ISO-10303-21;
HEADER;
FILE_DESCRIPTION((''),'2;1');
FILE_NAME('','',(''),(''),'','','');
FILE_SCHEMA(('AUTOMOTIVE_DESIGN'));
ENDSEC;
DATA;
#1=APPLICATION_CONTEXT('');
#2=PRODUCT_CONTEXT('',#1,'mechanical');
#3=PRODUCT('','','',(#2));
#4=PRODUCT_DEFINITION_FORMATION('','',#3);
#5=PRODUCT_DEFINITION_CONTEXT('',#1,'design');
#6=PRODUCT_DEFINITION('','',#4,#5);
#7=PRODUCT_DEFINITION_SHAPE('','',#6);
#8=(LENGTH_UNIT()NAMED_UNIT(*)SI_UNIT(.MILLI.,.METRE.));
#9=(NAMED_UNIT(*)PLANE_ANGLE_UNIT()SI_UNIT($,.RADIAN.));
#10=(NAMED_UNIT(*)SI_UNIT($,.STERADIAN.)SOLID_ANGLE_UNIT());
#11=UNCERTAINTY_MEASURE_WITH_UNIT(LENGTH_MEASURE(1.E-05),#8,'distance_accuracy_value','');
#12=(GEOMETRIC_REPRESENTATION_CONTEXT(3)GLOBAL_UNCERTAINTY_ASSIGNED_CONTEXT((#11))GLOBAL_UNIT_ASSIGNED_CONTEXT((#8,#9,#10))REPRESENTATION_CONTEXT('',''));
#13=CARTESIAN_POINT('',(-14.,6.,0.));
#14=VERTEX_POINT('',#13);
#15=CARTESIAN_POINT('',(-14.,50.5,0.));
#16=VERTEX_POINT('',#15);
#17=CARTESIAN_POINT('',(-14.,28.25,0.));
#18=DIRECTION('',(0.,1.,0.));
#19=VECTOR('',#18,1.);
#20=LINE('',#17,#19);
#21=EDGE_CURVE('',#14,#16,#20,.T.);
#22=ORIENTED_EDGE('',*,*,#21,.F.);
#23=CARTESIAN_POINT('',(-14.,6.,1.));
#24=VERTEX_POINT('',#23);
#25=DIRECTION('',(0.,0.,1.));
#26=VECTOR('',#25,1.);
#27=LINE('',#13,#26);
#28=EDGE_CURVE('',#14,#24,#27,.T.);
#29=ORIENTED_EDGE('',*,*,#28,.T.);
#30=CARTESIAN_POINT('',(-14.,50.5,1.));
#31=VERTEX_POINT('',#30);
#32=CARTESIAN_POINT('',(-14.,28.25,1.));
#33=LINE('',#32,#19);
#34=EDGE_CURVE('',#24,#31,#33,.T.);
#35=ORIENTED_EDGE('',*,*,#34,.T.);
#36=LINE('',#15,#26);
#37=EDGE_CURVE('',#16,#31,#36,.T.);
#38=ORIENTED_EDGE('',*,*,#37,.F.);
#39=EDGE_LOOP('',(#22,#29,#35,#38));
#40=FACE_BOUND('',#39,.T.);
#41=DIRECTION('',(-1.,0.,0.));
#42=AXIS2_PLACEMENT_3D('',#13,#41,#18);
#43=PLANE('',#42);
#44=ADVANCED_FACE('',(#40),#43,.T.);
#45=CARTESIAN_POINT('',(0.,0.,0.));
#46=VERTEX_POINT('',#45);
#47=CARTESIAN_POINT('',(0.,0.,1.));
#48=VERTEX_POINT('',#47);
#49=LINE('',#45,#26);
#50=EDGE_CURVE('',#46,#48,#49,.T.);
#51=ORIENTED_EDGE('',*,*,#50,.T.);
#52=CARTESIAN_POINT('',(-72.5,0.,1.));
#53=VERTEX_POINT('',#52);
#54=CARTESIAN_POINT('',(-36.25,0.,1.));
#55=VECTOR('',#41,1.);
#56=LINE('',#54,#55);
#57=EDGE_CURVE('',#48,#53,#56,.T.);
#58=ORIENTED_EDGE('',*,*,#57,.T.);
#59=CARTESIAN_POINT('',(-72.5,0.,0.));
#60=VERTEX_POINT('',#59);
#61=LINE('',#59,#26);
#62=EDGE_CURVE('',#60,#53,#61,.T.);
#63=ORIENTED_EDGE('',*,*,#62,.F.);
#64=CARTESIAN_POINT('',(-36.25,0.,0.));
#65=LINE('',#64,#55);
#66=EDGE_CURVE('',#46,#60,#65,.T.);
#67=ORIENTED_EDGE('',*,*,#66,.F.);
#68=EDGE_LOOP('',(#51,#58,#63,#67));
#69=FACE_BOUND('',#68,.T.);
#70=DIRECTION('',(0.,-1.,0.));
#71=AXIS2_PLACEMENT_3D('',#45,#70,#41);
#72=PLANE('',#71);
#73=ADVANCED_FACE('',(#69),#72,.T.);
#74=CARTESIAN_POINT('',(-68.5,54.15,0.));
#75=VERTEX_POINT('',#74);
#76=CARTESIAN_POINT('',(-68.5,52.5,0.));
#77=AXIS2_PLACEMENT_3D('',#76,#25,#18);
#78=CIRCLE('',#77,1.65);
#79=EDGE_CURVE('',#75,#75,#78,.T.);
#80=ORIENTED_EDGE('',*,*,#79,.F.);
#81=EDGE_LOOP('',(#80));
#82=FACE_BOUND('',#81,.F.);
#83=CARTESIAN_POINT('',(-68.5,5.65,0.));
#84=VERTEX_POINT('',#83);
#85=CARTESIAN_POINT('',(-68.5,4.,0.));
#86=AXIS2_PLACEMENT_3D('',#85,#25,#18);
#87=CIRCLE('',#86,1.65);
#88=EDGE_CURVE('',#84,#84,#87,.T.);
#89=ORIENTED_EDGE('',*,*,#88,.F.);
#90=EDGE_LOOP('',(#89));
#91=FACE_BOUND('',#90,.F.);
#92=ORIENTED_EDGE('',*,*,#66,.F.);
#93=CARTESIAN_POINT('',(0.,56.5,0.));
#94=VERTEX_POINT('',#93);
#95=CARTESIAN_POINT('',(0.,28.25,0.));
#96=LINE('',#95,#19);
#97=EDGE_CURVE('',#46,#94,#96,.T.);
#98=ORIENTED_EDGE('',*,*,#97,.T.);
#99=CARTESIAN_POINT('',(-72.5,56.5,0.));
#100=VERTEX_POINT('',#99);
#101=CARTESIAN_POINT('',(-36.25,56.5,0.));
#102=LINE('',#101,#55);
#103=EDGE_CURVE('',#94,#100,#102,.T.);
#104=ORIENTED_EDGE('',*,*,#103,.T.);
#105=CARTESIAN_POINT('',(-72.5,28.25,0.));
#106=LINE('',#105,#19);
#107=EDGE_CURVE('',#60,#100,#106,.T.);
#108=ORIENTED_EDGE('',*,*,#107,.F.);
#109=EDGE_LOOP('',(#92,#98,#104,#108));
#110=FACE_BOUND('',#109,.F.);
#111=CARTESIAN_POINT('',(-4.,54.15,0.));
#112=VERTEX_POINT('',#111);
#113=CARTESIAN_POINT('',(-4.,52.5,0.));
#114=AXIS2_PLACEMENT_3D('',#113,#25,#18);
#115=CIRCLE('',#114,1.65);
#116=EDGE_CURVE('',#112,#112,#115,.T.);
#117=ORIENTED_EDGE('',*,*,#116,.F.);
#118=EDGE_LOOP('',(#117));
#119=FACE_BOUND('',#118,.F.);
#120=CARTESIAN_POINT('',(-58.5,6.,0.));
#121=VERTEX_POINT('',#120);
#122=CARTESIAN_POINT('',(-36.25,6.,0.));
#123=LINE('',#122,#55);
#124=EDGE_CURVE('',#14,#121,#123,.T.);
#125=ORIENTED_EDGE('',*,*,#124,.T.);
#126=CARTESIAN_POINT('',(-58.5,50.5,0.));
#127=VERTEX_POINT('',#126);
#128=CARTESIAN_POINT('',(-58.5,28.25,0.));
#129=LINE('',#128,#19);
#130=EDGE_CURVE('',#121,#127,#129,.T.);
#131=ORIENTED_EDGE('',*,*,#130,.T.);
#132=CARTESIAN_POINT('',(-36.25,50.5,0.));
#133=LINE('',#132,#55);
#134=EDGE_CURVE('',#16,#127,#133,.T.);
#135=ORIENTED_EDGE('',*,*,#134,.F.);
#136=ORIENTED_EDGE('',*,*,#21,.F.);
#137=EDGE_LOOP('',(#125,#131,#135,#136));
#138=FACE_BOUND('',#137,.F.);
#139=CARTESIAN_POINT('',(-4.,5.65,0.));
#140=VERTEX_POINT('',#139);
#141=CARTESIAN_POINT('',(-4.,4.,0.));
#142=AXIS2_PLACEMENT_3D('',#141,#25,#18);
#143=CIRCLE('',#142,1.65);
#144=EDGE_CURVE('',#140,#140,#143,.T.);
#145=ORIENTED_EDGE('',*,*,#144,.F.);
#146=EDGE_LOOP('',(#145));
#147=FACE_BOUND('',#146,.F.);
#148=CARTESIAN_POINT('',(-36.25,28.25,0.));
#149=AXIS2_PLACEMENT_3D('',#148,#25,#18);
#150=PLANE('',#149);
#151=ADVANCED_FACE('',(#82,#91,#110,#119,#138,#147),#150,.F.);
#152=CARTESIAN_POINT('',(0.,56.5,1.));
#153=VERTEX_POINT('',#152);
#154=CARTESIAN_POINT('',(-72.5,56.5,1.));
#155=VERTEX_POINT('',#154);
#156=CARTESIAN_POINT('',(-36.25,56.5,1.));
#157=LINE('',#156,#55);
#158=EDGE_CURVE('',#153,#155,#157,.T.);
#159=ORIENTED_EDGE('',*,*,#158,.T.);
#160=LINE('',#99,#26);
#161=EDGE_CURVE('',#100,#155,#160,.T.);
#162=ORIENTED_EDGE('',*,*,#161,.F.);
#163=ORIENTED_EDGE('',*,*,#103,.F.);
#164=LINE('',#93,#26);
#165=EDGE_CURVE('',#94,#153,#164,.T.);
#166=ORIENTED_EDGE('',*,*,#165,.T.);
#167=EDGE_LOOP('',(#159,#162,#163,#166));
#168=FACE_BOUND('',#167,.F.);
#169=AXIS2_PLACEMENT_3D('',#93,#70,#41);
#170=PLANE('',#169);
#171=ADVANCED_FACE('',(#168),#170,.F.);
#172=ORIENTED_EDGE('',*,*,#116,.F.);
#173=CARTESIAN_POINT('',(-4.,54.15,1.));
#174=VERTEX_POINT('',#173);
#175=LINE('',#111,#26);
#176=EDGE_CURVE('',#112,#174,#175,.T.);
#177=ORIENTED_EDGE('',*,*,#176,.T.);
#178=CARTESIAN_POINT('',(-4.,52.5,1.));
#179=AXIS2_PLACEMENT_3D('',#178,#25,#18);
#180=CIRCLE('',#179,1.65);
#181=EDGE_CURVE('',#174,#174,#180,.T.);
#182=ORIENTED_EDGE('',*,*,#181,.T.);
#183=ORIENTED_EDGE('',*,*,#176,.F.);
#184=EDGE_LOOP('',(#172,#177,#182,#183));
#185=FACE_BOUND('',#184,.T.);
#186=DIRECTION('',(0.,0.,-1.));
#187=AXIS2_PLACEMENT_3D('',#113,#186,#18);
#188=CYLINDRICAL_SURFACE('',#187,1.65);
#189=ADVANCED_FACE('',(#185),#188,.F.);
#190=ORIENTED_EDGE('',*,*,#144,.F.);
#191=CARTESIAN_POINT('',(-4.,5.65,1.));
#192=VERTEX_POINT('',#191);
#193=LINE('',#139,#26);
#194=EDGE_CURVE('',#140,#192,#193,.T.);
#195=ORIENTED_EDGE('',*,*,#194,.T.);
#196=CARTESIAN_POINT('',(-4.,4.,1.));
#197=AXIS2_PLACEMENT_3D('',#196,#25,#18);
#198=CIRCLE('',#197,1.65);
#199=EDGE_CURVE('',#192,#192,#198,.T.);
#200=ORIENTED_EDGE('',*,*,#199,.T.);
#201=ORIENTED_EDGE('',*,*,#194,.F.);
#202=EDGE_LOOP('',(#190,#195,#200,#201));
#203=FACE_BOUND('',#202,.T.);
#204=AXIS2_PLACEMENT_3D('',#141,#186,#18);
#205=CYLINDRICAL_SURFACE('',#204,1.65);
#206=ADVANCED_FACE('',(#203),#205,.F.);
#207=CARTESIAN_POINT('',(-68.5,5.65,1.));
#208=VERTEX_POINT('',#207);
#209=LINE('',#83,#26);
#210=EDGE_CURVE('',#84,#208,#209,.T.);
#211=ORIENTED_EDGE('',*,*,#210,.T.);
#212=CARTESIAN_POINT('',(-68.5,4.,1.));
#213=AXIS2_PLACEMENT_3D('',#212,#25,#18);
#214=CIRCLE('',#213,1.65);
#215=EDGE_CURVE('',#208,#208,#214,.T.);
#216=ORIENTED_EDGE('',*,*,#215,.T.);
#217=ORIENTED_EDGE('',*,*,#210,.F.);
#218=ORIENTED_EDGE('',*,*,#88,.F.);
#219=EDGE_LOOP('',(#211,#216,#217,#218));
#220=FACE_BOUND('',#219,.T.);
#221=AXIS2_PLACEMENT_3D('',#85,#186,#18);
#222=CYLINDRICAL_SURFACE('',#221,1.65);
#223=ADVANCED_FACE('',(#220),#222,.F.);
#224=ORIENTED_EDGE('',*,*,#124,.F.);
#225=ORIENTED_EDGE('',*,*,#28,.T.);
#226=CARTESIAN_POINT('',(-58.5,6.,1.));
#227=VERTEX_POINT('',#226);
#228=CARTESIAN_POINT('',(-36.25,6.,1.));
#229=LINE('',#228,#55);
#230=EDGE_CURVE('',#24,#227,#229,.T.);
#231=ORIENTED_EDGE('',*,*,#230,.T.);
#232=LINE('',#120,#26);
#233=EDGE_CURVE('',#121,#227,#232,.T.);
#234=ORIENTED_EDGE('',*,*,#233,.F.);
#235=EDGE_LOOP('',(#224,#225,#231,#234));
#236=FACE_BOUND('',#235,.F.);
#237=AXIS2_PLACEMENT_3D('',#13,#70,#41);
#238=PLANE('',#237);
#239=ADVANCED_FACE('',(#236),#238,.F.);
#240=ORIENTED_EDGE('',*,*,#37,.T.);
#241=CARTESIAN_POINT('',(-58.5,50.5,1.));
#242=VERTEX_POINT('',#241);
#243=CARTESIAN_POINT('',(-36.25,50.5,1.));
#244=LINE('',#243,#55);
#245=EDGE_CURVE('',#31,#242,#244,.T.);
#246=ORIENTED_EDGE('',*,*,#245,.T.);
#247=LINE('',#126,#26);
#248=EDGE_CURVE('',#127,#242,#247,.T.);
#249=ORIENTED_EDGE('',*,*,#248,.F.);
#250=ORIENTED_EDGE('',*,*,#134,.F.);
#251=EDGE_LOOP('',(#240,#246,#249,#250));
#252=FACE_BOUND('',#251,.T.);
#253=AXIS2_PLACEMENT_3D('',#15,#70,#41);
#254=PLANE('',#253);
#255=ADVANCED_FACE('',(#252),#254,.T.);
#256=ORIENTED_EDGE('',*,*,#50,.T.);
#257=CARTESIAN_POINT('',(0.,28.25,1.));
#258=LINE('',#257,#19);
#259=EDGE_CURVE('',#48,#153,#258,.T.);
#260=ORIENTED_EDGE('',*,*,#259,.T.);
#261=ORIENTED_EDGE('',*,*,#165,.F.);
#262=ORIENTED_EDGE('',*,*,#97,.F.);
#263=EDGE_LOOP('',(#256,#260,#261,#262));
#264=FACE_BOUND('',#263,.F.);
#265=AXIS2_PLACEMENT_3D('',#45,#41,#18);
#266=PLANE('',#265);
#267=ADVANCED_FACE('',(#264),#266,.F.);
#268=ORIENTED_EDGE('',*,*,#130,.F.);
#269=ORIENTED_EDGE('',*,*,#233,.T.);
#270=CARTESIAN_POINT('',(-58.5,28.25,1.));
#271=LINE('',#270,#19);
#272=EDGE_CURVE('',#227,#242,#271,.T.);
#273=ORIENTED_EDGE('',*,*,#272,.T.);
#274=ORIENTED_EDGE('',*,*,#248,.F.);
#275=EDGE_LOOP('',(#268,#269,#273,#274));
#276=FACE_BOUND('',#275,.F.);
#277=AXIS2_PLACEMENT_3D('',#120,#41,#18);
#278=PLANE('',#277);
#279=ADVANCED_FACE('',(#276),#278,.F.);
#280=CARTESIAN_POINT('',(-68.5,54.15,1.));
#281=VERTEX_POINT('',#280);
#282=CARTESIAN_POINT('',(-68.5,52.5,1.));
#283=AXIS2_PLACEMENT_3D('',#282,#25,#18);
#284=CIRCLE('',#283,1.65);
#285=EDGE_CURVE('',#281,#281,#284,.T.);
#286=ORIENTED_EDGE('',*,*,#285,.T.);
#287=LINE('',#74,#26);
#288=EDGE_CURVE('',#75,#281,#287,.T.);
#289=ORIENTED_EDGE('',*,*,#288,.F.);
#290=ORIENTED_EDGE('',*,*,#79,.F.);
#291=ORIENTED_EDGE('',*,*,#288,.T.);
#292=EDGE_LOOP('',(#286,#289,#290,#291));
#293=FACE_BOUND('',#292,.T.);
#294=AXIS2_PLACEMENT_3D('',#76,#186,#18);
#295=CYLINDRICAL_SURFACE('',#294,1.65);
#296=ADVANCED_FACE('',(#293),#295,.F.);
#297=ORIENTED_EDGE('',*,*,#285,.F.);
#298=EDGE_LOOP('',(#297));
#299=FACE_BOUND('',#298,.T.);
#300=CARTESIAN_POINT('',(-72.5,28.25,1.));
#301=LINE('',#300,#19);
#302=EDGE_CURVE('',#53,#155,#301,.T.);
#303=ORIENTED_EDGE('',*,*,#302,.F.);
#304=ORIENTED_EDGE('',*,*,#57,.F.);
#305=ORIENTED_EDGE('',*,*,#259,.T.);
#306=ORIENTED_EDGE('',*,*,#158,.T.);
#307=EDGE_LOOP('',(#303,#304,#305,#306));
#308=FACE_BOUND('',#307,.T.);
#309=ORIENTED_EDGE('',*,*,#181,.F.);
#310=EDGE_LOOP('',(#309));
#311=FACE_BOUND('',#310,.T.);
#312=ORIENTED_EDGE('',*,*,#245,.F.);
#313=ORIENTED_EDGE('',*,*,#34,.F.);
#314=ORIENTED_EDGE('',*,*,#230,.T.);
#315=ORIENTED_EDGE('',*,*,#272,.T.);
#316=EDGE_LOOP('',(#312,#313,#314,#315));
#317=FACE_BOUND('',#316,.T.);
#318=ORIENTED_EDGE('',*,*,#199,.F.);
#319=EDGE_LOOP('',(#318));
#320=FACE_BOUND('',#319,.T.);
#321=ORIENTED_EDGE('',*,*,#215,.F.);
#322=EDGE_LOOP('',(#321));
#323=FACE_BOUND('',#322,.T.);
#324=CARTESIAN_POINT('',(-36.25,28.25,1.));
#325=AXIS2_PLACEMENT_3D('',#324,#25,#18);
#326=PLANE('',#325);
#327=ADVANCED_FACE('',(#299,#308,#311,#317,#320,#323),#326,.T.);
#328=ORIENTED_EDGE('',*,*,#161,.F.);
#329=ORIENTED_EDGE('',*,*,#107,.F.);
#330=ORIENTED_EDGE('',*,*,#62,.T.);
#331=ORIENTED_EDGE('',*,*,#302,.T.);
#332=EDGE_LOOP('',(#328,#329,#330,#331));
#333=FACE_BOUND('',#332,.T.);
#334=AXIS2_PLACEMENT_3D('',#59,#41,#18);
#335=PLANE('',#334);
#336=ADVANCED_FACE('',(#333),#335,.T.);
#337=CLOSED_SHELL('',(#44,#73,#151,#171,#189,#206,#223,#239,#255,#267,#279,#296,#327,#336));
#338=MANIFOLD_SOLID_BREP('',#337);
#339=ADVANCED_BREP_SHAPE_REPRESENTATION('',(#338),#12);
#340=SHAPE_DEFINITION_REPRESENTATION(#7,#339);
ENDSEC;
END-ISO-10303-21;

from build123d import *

# Parameters (mm, degrees)
SKETCH1_W           = 56.5
SKETCH1_H           = 72.5
SKETCH1_R           = 1.65
SKETCH1_W_2         = 44.5
SKETCH1_H_2         = 44.5
BOSS_EXTRUDE1_DEPTH = 1


with BuildPart() as part:
    # Sketch1 → Boss-Extrude1 (new body)
    with BuildSketch(Plane(origin=(0, 0, 0), x_dir=(0, 1, 0), z_dir=(0, 0, 1))):
        with Locations((28.25, 36.25)):
            Rectangle(SKETCH1_W, SKETCH1_H)
        with Locations((4, 68.5)):
            Circle(SKETCH1_R, mode=Mode.SUBTRACT)
        with Locations((52.5, 68.5)):
            Circle(SKETCH1_R, mode=Mode.SUBTRACT)
        with Locations((52.5, 4)):
            Circle(SKETCH1_R, mode=Mode.SUBTRACT)
        with Locations((4, 4)):
            Circle(SKETCH1_R, mode=Mode.SUBTRACT)
        with Locations((28.25, 36.25)):
            Rectangle(SKETCH1_W_2, SKETCH1_H_2, mode=Mode.SUBTRACT)
    extrude(amount=BOSS_EXTRUDE1_DEPTH)


solid = part.part
